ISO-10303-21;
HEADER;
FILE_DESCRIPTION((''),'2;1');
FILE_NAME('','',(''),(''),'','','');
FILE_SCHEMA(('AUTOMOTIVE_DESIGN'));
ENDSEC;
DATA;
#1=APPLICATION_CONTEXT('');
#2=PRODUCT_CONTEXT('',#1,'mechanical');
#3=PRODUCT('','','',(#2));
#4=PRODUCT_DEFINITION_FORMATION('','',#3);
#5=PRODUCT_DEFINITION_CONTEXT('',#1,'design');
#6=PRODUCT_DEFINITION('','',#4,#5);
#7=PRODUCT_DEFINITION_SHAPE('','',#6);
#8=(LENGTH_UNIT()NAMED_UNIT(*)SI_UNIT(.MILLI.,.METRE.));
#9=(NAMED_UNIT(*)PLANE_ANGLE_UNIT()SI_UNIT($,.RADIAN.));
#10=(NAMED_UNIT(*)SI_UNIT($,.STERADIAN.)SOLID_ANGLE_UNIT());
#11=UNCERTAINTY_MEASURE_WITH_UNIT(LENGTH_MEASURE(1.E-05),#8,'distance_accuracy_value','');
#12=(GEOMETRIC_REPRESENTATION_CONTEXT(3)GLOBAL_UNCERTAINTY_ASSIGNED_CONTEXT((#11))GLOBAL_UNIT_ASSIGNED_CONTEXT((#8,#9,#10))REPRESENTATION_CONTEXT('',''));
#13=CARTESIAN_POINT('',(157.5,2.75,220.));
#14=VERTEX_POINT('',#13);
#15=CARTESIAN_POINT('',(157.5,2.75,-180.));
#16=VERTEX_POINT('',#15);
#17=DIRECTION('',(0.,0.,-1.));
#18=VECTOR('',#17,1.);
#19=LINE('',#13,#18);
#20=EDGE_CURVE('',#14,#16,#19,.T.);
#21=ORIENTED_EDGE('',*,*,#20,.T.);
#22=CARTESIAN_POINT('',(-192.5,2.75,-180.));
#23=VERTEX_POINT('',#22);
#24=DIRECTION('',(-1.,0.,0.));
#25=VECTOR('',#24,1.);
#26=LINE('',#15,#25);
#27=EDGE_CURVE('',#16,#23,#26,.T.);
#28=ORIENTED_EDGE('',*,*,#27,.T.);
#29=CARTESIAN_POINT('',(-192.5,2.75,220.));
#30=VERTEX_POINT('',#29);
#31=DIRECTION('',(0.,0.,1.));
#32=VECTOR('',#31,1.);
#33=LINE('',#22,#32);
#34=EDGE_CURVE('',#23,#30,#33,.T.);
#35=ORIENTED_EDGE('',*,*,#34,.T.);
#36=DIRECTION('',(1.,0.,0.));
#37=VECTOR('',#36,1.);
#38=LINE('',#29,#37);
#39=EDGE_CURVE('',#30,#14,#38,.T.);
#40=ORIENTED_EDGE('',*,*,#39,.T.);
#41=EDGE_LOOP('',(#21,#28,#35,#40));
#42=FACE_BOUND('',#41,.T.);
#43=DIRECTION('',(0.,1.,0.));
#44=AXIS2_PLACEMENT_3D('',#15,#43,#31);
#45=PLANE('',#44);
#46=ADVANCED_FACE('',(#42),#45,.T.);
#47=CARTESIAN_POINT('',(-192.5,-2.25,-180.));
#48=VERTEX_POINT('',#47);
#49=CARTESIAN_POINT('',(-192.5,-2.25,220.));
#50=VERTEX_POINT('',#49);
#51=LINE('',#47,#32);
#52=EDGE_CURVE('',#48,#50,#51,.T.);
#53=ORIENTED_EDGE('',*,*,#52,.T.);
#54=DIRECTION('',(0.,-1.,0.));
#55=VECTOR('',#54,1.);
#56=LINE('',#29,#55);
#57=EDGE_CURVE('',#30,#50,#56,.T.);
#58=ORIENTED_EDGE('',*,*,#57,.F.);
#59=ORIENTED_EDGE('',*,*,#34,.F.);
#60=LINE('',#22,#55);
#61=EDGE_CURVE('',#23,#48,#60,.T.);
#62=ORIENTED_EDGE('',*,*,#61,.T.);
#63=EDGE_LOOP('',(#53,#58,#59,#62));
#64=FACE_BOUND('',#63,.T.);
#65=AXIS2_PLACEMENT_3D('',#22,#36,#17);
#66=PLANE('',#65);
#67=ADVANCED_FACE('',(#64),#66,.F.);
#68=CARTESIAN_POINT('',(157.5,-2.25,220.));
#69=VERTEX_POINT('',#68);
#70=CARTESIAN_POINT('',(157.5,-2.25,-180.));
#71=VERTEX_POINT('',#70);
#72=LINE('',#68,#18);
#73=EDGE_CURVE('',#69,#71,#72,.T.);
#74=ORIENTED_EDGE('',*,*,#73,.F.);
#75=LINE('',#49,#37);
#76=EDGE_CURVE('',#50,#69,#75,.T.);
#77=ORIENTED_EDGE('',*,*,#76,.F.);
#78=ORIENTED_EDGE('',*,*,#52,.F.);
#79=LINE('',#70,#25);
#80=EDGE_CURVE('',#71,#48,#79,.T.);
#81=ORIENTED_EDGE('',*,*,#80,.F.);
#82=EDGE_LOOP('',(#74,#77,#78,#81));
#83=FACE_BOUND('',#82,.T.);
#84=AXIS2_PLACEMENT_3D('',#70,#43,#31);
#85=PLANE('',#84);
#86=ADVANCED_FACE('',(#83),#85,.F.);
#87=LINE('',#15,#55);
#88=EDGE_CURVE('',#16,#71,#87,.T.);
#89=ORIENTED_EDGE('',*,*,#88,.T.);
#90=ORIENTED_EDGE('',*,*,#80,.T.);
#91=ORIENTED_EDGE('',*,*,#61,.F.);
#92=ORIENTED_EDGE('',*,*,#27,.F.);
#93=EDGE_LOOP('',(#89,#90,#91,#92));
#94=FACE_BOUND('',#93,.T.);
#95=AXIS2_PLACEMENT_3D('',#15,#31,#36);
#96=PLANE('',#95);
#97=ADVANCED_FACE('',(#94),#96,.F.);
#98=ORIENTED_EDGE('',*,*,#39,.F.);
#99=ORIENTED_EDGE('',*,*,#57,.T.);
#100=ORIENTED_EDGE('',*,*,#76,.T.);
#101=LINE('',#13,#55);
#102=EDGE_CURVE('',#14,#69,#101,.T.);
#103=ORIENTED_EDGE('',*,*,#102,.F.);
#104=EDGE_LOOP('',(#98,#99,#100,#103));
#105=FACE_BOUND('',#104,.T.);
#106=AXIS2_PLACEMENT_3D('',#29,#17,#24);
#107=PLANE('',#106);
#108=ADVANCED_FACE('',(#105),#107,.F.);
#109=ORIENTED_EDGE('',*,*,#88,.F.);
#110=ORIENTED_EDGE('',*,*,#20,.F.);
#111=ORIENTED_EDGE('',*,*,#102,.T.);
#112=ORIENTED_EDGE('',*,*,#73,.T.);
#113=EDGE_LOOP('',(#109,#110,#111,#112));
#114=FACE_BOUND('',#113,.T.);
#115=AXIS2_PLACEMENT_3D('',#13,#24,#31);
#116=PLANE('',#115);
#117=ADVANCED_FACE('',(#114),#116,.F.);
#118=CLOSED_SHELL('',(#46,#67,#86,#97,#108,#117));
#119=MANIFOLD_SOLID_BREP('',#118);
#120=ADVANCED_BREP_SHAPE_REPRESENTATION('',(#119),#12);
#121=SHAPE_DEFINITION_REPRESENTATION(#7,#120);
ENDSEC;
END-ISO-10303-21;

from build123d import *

# Parameters (mm, degrees)
SKETCH1_W           = 35
SKETCH1_H           = 40
BOSS_EXTRUDE1_DEPTH = 0.5
SCALE1_SCALE        = 10


with BuildPart() as part:
    # Sketch1 → Boss-Extrude1 (new body)
    with BuildSketch(Plane(origin=(0, 0, 0), x_dir=(1, 0, 0), z_dir=(0, 1, 0))):
        with Locations((-17.5, -20)):
            Rectangle(SKETCH1_W, SKETCH1_H)
    extrude(amount=BOSS_EXTRUDE1_DEPTH)


with BuildPart() as part_1:
    # Scale1: scaled about (-17.5, 0.25, 20)
    add(part.part.scale(SCALE1_SCALE).moved(Location((157.5, -2.25, -180))))


solid = part_1.part
